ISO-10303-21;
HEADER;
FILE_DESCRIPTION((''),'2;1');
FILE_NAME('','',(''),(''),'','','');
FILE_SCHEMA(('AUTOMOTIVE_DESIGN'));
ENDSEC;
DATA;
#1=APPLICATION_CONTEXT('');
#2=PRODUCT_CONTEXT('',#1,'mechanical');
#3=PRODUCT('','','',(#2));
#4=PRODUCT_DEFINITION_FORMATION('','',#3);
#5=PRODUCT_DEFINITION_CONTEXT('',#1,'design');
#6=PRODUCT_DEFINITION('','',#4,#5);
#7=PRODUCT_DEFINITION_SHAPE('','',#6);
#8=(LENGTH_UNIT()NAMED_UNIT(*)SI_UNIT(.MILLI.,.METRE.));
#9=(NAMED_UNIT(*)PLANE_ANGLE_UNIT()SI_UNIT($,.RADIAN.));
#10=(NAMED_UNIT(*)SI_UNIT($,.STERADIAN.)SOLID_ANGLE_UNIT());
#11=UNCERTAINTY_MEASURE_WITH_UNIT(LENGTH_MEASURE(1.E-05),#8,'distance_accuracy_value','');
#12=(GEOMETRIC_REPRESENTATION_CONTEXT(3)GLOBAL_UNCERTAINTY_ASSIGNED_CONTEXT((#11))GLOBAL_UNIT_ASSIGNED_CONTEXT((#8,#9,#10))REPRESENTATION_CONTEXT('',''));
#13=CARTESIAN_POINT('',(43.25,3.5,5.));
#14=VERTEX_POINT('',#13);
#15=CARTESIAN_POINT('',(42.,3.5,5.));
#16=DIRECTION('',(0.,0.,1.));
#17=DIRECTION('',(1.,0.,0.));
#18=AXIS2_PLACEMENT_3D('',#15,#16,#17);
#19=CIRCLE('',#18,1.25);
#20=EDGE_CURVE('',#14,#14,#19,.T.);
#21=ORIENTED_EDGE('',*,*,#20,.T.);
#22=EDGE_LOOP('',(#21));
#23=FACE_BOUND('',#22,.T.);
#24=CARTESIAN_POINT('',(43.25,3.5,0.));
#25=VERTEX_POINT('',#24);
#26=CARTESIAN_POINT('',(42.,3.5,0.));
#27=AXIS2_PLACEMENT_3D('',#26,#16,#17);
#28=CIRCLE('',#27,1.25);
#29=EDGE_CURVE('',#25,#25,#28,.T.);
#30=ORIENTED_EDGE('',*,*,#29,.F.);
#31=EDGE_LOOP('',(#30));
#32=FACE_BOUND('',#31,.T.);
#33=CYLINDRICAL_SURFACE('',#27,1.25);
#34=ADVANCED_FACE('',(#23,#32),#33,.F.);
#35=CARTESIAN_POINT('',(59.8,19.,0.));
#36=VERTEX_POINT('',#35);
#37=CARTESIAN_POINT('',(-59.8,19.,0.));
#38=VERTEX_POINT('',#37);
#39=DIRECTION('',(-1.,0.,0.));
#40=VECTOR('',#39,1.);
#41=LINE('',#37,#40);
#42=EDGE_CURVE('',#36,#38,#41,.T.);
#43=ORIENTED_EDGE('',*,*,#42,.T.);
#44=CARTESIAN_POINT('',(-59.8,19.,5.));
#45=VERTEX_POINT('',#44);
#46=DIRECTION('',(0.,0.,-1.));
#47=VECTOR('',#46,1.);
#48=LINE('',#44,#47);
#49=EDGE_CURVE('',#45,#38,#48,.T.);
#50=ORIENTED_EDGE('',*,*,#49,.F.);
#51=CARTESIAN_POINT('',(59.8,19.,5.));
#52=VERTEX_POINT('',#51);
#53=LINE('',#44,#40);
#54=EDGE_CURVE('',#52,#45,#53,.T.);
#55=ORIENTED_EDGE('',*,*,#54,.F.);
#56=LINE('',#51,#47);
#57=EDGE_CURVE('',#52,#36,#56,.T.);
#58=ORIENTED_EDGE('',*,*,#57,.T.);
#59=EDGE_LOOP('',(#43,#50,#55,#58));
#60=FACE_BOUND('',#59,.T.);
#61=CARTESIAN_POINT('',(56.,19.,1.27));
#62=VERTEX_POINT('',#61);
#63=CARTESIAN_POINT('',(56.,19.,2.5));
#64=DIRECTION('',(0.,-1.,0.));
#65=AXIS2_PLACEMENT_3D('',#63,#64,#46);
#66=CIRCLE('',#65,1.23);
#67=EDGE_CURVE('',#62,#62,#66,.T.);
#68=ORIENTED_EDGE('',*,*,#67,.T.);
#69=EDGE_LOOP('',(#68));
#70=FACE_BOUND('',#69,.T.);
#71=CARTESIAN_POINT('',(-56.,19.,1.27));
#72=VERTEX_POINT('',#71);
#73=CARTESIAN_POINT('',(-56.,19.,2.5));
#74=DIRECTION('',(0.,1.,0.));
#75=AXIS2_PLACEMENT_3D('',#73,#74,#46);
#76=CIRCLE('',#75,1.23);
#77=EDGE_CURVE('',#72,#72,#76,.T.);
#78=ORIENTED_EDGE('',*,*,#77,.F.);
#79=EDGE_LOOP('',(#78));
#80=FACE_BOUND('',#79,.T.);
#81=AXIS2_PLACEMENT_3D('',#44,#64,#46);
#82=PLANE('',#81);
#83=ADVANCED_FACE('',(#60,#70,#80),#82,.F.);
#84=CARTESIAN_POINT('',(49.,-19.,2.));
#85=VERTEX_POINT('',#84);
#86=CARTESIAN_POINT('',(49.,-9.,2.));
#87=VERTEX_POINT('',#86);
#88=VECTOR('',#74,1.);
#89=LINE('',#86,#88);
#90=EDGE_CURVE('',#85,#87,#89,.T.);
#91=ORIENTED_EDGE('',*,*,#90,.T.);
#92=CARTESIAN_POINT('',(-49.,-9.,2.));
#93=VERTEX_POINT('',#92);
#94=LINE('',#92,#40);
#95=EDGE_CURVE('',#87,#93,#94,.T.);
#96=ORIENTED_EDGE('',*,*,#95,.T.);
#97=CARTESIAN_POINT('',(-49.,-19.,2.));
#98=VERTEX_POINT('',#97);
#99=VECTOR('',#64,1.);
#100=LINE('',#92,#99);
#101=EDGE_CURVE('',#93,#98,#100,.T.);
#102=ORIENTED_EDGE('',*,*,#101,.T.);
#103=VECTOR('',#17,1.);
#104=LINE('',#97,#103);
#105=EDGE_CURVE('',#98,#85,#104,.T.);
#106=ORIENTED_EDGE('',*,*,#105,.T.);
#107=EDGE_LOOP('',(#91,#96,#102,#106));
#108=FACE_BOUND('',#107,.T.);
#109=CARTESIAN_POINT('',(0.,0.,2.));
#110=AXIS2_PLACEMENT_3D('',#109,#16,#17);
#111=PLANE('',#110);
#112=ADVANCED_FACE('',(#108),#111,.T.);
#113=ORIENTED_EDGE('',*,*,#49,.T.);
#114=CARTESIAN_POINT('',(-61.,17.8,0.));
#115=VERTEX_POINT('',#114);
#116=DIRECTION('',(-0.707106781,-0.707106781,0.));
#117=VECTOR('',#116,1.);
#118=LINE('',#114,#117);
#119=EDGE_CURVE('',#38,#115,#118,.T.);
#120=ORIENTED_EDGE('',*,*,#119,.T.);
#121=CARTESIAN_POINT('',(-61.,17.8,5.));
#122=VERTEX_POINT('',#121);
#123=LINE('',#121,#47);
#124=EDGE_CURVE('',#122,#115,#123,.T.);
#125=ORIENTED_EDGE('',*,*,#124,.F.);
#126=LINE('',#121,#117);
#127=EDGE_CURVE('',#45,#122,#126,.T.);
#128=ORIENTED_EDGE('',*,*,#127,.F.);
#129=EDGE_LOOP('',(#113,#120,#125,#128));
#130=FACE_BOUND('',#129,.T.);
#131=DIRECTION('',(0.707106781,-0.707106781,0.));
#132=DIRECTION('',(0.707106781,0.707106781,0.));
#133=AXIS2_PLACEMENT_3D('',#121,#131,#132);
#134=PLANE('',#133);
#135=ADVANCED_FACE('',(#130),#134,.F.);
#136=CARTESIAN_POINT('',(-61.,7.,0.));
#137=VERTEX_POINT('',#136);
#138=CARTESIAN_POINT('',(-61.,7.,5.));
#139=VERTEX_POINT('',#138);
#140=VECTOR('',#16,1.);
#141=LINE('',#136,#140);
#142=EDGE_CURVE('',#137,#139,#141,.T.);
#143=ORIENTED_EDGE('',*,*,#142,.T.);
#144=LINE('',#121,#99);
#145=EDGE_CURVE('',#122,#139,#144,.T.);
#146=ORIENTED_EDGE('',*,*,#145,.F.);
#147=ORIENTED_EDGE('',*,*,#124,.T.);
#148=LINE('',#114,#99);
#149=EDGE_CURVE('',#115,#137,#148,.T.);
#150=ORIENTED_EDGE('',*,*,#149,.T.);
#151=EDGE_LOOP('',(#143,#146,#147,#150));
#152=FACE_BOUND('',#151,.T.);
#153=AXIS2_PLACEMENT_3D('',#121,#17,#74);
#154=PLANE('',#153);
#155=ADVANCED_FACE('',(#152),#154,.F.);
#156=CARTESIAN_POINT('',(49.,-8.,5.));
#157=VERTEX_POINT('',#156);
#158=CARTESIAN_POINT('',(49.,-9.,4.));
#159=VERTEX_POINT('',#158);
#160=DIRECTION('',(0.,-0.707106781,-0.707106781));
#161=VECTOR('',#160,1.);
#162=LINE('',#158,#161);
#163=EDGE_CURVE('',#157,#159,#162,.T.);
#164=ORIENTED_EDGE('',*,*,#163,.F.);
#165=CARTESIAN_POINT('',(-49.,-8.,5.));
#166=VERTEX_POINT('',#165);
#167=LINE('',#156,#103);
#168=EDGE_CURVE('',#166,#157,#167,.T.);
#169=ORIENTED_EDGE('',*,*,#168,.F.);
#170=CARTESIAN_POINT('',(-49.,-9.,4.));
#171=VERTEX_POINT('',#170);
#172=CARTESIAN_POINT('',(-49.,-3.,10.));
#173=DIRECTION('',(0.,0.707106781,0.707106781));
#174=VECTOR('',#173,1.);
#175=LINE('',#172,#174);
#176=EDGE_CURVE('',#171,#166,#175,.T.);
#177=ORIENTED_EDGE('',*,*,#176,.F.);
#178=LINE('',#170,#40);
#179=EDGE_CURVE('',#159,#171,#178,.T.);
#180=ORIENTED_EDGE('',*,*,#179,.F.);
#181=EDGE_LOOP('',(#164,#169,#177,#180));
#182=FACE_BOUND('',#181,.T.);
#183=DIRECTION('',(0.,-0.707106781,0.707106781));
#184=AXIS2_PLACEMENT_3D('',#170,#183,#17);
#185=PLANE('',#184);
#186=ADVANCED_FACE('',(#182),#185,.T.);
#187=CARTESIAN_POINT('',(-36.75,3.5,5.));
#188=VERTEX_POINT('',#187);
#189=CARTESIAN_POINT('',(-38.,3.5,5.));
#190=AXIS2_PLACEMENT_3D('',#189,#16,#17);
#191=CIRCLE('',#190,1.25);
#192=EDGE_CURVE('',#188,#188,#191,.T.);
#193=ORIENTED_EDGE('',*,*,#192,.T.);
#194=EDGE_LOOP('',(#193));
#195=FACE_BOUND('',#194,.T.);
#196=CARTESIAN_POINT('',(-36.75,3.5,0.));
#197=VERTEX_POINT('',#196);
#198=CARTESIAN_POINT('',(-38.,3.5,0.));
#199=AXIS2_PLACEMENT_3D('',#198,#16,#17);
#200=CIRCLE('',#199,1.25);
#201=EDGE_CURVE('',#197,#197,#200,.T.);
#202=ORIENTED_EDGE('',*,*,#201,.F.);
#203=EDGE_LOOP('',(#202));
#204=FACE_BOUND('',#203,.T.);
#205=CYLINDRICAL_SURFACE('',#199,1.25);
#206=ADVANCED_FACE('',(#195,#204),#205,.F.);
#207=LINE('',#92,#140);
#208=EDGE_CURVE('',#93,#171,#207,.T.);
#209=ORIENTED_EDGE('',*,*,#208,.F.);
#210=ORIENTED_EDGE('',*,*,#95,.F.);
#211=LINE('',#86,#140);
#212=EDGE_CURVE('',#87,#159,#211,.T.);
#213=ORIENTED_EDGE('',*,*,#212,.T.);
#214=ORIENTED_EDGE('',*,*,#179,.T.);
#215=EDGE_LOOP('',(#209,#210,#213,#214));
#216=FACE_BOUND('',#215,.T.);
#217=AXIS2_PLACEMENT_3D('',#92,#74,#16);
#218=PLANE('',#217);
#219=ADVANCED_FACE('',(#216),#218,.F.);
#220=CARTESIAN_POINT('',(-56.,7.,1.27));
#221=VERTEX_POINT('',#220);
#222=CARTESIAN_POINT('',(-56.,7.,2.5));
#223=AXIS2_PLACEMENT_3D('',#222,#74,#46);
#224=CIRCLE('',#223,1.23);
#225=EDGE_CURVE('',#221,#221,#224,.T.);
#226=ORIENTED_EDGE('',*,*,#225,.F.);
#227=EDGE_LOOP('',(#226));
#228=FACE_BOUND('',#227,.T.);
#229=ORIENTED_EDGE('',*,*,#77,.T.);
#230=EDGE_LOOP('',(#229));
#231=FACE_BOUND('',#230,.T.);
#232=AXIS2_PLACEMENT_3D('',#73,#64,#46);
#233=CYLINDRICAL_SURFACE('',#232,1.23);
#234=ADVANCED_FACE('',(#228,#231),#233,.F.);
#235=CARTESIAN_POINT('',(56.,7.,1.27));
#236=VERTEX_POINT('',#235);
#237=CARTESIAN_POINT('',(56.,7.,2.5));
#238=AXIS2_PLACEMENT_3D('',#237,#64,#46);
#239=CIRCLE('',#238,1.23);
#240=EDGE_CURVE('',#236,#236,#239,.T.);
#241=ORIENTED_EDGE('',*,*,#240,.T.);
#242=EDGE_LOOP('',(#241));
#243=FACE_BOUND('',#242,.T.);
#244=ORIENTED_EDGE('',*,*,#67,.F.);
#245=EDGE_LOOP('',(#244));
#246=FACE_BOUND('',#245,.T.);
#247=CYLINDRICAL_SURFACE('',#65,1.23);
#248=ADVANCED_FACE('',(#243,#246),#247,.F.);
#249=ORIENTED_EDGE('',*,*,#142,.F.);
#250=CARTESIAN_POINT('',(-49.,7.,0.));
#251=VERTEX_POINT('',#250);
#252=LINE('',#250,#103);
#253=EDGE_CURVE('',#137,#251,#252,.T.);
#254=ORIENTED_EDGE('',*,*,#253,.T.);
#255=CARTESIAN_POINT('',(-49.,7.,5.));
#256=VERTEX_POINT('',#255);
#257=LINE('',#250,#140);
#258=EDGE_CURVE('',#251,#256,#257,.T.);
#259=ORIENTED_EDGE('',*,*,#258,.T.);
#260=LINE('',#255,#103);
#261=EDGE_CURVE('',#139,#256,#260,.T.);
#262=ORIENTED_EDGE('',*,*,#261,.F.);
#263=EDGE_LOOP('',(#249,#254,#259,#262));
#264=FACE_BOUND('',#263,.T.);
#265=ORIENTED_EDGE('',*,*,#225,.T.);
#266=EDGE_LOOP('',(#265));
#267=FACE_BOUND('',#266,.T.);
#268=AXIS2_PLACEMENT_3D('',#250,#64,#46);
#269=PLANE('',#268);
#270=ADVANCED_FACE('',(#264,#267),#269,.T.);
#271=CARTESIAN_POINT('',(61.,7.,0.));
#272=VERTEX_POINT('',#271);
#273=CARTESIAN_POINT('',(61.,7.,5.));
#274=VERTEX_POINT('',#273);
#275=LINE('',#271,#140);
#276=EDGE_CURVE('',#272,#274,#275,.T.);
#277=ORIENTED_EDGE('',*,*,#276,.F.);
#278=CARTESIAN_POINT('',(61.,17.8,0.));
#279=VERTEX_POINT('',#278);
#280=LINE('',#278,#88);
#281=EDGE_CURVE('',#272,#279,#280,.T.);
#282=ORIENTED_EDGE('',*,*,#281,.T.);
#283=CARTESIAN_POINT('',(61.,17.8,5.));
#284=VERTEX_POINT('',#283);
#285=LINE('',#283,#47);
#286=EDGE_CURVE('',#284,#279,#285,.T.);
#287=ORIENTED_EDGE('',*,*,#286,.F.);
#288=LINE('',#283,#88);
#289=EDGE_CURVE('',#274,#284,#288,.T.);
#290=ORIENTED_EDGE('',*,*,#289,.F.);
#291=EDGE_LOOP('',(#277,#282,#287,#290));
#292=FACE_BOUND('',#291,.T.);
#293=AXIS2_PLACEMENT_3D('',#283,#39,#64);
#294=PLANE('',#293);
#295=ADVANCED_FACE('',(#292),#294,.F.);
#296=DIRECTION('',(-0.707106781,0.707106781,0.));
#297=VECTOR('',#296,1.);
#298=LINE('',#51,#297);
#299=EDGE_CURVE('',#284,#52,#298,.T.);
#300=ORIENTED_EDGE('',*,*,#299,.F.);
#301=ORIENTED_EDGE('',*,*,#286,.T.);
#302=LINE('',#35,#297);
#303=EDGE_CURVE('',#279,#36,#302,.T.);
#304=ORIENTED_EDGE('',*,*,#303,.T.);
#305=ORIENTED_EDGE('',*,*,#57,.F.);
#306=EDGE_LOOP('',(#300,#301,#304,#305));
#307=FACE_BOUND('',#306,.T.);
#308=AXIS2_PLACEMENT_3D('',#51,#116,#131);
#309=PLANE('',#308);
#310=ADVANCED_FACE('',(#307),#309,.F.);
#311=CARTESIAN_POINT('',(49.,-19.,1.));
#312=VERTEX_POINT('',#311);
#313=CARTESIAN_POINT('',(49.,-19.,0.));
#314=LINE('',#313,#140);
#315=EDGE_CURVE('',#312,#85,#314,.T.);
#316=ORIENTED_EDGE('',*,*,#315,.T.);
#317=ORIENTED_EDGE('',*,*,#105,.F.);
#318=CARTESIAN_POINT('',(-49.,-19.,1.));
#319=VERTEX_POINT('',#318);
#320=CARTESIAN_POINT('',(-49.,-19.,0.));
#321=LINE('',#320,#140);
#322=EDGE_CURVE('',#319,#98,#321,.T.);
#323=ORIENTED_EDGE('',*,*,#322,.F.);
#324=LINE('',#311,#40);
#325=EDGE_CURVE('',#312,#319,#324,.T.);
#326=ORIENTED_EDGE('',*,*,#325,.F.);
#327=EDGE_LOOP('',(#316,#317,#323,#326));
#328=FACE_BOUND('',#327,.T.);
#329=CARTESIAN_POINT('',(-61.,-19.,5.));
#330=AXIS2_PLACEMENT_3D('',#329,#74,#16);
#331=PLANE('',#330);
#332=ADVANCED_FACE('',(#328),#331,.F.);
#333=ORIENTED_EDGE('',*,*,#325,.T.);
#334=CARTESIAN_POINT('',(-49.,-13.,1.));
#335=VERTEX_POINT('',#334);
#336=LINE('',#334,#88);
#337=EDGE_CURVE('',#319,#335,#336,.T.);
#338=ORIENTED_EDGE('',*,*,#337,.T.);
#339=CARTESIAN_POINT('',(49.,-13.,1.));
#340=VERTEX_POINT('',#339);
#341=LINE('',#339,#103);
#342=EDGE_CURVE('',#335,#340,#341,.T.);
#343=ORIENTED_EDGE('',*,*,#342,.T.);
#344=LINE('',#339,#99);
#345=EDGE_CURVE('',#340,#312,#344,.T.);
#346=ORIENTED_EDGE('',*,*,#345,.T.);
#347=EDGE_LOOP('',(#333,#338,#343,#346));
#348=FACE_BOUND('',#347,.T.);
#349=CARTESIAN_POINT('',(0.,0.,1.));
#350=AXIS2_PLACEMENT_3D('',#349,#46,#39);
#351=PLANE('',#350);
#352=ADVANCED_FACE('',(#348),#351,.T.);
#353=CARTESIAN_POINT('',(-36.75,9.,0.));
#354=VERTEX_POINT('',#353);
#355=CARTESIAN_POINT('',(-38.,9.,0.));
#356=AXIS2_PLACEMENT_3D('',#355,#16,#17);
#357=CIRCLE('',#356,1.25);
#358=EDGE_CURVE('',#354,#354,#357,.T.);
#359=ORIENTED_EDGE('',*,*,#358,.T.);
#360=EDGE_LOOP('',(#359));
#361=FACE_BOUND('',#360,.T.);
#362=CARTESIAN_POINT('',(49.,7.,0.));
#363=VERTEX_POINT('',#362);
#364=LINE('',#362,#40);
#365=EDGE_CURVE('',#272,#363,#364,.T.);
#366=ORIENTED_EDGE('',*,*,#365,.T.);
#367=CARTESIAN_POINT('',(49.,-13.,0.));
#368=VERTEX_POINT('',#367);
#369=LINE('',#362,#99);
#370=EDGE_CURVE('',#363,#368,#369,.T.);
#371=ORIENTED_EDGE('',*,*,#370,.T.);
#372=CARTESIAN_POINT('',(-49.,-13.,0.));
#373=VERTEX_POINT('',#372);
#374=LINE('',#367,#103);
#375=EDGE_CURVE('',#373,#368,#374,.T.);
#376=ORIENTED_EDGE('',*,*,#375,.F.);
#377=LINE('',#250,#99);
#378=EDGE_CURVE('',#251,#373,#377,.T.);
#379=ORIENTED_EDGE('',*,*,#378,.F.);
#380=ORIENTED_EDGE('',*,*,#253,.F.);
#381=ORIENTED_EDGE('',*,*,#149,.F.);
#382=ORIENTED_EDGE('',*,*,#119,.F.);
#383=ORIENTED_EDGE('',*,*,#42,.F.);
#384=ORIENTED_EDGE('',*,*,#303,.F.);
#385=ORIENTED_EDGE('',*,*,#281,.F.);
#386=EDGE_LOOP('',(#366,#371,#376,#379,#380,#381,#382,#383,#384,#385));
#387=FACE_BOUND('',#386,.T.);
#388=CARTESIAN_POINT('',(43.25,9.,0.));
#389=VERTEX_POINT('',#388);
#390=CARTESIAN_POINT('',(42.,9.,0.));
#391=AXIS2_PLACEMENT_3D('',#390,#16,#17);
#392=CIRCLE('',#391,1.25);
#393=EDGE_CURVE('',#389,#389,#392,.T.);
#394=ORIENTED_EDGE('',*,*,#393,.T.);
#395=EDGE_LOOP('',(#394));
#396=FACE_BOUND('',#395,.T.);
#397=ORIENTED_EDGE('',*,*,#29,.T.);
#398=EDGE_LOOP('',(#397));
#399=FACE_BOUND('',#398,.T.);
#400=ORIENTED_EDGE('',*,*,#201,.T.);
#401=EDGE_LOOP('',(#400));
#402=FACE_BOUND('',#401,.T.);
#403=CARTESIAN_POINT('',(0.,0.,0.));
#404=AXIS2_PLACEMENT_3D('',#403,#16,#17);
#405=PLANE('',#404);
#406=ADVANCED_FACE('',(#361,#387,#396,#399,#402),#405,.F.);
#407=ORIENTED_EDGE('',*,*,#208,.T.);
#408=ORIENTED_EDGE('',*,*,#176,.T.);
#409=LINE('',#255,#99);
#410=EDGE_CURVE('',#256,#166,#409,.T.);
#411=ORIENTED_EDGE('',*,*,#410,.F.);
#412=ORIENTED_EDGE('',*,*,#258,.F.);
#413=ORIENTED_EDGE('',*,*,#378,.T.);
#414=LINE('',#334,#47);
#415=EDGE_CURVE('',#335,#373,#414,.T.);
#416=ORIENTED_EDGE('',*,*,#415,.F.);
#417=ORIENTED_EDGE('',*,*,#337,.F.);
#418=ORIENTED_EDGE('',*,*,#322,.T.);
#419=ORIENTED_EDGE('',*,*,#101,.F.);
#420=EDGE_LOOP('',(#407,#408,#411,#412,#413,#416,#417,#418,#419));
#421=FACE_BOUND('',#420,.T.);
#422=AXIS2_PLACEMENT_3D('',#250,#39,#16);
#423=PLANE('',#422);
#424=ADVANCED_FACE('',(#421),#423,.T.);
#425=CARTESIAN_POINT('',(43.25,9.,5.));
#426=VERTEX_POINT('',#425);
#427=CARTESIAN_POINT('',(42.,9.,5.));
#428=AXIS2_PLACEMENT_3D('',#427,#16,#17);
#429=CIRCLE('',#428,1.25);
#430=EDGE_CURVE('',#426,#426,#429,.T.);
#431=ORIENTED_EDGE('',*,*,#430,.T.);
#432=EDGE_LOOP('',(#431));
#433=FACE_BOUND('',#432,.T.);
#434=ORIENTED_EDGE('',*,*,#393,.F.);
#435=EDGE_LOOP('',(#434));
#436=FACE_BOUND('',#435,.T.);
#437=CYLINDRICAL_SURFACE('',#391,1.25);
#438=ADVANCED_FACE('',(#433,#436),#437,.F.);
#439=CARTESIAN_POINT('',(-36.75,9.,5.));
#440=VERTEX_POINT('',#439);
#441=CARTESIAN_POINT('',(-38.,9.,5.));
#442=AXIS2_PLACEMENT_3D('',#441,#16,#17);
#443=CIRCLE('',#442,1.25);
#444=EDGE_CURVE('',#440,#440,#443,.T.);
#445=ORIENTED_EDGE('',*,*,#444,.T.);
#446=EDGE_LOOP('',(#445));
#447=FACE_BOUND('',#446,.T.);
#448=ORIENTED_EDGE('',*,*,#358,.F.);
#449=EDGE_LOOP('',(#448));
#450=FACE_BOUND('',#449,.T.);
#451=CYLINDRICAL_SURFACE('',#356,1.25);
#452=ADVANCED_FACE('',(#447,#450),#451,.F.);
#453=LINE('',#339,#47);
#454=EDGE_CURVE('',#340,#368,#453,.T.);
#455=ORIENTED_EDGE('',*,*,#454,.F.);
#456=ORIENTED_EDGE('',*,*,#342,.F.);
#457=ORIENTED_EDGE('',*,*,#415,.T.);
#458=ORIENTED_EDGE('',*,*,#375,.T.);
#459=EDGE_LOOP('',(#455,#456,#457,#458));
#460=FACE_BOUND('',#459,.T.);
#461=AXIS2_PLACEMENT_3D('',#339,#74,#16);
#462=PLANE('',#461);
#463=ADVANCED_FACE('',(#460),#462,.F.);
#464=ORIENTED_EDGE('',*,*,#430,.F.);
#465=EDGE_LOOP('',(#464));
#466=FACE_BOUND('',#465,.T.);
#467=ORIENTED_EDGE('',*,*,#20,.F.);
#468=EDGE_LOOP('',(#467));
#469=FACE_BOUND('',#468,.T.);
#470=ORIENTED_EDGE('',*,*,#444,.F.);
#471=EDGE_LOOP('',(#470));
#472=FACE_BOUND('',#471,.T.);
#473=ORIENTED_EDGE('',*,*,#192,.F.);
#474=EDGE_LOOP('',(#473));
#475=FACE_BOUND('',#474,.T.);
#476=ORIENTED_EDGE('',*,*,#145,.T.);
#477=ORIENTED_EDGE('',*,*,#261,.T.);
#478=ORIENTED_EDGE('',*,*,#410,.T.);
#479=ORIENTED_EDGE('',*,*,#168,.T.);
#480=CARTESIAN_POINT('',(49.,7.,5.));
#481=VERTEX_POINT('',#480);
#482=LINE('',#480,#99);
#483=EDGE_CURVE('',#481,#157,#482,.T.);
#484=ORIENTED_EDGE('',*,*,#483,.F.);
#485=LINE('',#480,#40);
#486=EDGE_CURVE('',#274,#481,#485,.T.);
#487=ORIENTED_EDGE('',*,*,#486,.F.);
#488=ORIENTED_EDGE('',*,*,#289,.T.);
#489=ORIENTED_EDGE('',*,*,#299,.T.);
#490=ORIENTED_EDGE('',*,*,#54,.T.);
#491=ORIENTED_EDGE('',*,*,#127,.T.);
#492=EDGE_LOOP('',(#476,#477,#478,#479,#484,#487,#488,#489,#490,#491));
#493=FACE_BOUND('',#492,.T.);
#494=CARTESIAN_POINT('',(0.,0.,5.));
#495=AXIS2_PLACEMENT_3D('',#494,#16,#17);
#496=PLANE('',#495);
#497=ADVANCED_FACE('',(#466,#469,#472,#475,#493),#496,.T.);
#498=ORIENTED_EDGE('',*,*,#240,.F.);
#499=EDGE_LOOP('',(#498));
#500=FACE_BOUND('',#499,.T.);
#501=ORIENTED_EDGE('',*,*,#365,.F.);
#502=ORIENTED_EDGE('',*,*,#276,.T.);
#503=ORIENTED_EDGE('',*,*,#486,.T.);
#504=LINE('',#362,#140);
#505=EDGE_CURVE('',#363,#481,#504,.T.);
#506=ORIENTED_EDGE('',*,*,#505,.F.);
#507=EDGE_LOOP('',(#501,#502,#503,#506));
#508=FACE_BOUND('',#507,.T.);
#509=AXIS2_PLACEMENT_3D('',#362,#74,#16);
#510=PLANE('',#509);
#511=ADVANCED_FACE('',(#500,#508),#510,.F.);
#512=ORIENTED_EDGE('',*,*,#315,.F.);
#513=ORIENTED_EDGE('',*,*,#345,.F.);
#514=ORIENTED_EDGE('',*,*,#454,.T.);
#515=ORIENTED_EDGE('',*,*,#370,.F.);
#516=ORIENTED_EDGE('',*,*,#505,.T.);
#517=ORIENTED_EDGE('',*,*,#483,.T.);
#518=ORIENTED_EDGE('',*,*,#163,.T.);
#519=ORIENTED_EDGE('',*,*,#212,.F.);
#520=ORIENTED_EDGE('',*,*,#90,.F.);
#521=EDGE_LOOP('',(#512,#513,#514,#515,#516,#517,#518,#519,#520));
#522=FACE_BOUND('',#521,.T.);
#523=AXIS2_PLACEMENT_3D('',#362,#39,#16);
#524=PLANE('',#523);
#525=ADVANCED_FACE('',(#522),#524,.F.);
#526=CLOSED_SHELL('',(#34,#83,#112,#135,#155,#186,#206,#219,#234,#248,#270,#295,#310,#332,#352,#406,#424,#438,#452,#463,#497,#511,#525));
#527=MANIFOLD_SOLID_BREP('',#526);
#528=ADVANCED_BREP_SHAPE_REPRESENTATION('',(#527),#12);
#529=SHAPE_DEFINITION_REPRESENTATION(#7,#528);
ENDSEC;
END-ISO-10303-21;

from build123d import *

# Parameters (mm, degrees)
BOSS_EXTRUDE1_DEPTH = 5
SKETCH2_W           = 12
SKETCH2_H           = 26
CUT_EXTRUDE1_DEPTH  = 6
SKETCH3_R           = 1.25
CUT_EXTRUDE2_DEPTH  = 6
SKETCH4_R           = 1.23
CUT_EXTRUDE3_DEPTH  = 13
SKETCH5_W           = 98
SKETCH5_H           = 10
CUT_EXTRUDE4_DEPTH  = 3
SKETCH6_W           = 98
SKETCH6_H           = 6
CUT_EXTRUDE5_DEPTH  = 1
CHAMFER1_SIZE       = 1


with BuildPart() as part:
    # Sketch1 → Boss-Extrude1 (new body)
    with BuildSketch(Plane.XY):
        Polygon((-61, 17.8), (-59.8, 19), (59.8, 19), (61, 17.8), (61, -19), (-61, -19), align=None)
    extrude(amount=BOSS_EXTRUDE1_DEPTH)

    # Sketch2 → Cut-Extrude1 (cut, through all)
    with BuildSketch(Plane.XY.offset(5)):
        with Locations((55, -6)):
            Rectangle(SKETCH2_W, SKETCH2_H)
    cut_extrude1 = extrude(amount=-CUT_EXTRUDE1_DEPTH, mode=Mode.SUBTRACT)

    # Sketch3 → Cut-Extrude2 (cut, through all)
    with BuildSketch(Plane.XY.offset(5)):
        with Locations((42, 9)):
            Circle(SKETCH3_R)
        with Locations((42, 3.5)):
            Circle(SKETCH3_R)
        with Locations((-38, 9)):
            Circle(SKETCH3_R)
        with Locations((-38, 3.5)):
            Circle(SKETCH3_R)
    extrude(amount=-CUT_EXTRUDE2_DEPTH, mode=Mode.SUBTRACT)

    # Sketch4 → Cut-Extrude3 (cut, through all)
    with BuildSketch(Plane.XZ.offset(-7)):
        with Locations((56, 2.5)):
            Circle(SKETCH4_R)
    cut_extrude3 = extrude(amount=-CUT_EXTRUDE3_DEPTH, mode=Mode.SUBTRACT)

    # Mirror1: Cut-Extrude1, Cut-Extrude3 across plane
    add(cut_extrude1.mirror(Plane(origin=(0, 0, 0), x_dir=(0, 0, 1), z_dir=(1, 0, 0))), mode=Mode.SUBTRACT)
    add(cut_extrude3.mirror(Plane(origin=(0, 0, 0), x_dir=(0, 0, 1), z_dir=(1, 0, 0))), mode=Mode.SUBTRACT)

    # Sketch5 → Cut-Extrude4 (cut)
    with BuildSketch(Plane.XY.offset(5)):
        with Locations((0, -14)):
            Rectangle(SKETCH5_W, SKETCH5_H)
    extrude(amount=-CUT_EXTRUDE4_DEPTH, mode=Mode.SUBTRACT)

    # Sketch6 → Cut-Extrude5 (cut)
    with BuildSketch(Plane(origin=(0, 0, 0), x_dir=(-1, 0, 0), z_dir=(0, 0, -1))):
        with Locations((0, -16)):
            Rectangle(SKETCH6_W, SKETCH6_H)
    extrude(amount=-CUT_EXTRUDE5_DEPTH, mode=Mode.SUBTRACT)

    # Chamfer1
    chamfer1_edges = [part.edges().sort_by_distance(p)[0] for p in [
        (0, -9, 5),
    ]]
    chamfer(chamfer1_edges, length=CHAMFER1_SIZE)


solid = part.part
